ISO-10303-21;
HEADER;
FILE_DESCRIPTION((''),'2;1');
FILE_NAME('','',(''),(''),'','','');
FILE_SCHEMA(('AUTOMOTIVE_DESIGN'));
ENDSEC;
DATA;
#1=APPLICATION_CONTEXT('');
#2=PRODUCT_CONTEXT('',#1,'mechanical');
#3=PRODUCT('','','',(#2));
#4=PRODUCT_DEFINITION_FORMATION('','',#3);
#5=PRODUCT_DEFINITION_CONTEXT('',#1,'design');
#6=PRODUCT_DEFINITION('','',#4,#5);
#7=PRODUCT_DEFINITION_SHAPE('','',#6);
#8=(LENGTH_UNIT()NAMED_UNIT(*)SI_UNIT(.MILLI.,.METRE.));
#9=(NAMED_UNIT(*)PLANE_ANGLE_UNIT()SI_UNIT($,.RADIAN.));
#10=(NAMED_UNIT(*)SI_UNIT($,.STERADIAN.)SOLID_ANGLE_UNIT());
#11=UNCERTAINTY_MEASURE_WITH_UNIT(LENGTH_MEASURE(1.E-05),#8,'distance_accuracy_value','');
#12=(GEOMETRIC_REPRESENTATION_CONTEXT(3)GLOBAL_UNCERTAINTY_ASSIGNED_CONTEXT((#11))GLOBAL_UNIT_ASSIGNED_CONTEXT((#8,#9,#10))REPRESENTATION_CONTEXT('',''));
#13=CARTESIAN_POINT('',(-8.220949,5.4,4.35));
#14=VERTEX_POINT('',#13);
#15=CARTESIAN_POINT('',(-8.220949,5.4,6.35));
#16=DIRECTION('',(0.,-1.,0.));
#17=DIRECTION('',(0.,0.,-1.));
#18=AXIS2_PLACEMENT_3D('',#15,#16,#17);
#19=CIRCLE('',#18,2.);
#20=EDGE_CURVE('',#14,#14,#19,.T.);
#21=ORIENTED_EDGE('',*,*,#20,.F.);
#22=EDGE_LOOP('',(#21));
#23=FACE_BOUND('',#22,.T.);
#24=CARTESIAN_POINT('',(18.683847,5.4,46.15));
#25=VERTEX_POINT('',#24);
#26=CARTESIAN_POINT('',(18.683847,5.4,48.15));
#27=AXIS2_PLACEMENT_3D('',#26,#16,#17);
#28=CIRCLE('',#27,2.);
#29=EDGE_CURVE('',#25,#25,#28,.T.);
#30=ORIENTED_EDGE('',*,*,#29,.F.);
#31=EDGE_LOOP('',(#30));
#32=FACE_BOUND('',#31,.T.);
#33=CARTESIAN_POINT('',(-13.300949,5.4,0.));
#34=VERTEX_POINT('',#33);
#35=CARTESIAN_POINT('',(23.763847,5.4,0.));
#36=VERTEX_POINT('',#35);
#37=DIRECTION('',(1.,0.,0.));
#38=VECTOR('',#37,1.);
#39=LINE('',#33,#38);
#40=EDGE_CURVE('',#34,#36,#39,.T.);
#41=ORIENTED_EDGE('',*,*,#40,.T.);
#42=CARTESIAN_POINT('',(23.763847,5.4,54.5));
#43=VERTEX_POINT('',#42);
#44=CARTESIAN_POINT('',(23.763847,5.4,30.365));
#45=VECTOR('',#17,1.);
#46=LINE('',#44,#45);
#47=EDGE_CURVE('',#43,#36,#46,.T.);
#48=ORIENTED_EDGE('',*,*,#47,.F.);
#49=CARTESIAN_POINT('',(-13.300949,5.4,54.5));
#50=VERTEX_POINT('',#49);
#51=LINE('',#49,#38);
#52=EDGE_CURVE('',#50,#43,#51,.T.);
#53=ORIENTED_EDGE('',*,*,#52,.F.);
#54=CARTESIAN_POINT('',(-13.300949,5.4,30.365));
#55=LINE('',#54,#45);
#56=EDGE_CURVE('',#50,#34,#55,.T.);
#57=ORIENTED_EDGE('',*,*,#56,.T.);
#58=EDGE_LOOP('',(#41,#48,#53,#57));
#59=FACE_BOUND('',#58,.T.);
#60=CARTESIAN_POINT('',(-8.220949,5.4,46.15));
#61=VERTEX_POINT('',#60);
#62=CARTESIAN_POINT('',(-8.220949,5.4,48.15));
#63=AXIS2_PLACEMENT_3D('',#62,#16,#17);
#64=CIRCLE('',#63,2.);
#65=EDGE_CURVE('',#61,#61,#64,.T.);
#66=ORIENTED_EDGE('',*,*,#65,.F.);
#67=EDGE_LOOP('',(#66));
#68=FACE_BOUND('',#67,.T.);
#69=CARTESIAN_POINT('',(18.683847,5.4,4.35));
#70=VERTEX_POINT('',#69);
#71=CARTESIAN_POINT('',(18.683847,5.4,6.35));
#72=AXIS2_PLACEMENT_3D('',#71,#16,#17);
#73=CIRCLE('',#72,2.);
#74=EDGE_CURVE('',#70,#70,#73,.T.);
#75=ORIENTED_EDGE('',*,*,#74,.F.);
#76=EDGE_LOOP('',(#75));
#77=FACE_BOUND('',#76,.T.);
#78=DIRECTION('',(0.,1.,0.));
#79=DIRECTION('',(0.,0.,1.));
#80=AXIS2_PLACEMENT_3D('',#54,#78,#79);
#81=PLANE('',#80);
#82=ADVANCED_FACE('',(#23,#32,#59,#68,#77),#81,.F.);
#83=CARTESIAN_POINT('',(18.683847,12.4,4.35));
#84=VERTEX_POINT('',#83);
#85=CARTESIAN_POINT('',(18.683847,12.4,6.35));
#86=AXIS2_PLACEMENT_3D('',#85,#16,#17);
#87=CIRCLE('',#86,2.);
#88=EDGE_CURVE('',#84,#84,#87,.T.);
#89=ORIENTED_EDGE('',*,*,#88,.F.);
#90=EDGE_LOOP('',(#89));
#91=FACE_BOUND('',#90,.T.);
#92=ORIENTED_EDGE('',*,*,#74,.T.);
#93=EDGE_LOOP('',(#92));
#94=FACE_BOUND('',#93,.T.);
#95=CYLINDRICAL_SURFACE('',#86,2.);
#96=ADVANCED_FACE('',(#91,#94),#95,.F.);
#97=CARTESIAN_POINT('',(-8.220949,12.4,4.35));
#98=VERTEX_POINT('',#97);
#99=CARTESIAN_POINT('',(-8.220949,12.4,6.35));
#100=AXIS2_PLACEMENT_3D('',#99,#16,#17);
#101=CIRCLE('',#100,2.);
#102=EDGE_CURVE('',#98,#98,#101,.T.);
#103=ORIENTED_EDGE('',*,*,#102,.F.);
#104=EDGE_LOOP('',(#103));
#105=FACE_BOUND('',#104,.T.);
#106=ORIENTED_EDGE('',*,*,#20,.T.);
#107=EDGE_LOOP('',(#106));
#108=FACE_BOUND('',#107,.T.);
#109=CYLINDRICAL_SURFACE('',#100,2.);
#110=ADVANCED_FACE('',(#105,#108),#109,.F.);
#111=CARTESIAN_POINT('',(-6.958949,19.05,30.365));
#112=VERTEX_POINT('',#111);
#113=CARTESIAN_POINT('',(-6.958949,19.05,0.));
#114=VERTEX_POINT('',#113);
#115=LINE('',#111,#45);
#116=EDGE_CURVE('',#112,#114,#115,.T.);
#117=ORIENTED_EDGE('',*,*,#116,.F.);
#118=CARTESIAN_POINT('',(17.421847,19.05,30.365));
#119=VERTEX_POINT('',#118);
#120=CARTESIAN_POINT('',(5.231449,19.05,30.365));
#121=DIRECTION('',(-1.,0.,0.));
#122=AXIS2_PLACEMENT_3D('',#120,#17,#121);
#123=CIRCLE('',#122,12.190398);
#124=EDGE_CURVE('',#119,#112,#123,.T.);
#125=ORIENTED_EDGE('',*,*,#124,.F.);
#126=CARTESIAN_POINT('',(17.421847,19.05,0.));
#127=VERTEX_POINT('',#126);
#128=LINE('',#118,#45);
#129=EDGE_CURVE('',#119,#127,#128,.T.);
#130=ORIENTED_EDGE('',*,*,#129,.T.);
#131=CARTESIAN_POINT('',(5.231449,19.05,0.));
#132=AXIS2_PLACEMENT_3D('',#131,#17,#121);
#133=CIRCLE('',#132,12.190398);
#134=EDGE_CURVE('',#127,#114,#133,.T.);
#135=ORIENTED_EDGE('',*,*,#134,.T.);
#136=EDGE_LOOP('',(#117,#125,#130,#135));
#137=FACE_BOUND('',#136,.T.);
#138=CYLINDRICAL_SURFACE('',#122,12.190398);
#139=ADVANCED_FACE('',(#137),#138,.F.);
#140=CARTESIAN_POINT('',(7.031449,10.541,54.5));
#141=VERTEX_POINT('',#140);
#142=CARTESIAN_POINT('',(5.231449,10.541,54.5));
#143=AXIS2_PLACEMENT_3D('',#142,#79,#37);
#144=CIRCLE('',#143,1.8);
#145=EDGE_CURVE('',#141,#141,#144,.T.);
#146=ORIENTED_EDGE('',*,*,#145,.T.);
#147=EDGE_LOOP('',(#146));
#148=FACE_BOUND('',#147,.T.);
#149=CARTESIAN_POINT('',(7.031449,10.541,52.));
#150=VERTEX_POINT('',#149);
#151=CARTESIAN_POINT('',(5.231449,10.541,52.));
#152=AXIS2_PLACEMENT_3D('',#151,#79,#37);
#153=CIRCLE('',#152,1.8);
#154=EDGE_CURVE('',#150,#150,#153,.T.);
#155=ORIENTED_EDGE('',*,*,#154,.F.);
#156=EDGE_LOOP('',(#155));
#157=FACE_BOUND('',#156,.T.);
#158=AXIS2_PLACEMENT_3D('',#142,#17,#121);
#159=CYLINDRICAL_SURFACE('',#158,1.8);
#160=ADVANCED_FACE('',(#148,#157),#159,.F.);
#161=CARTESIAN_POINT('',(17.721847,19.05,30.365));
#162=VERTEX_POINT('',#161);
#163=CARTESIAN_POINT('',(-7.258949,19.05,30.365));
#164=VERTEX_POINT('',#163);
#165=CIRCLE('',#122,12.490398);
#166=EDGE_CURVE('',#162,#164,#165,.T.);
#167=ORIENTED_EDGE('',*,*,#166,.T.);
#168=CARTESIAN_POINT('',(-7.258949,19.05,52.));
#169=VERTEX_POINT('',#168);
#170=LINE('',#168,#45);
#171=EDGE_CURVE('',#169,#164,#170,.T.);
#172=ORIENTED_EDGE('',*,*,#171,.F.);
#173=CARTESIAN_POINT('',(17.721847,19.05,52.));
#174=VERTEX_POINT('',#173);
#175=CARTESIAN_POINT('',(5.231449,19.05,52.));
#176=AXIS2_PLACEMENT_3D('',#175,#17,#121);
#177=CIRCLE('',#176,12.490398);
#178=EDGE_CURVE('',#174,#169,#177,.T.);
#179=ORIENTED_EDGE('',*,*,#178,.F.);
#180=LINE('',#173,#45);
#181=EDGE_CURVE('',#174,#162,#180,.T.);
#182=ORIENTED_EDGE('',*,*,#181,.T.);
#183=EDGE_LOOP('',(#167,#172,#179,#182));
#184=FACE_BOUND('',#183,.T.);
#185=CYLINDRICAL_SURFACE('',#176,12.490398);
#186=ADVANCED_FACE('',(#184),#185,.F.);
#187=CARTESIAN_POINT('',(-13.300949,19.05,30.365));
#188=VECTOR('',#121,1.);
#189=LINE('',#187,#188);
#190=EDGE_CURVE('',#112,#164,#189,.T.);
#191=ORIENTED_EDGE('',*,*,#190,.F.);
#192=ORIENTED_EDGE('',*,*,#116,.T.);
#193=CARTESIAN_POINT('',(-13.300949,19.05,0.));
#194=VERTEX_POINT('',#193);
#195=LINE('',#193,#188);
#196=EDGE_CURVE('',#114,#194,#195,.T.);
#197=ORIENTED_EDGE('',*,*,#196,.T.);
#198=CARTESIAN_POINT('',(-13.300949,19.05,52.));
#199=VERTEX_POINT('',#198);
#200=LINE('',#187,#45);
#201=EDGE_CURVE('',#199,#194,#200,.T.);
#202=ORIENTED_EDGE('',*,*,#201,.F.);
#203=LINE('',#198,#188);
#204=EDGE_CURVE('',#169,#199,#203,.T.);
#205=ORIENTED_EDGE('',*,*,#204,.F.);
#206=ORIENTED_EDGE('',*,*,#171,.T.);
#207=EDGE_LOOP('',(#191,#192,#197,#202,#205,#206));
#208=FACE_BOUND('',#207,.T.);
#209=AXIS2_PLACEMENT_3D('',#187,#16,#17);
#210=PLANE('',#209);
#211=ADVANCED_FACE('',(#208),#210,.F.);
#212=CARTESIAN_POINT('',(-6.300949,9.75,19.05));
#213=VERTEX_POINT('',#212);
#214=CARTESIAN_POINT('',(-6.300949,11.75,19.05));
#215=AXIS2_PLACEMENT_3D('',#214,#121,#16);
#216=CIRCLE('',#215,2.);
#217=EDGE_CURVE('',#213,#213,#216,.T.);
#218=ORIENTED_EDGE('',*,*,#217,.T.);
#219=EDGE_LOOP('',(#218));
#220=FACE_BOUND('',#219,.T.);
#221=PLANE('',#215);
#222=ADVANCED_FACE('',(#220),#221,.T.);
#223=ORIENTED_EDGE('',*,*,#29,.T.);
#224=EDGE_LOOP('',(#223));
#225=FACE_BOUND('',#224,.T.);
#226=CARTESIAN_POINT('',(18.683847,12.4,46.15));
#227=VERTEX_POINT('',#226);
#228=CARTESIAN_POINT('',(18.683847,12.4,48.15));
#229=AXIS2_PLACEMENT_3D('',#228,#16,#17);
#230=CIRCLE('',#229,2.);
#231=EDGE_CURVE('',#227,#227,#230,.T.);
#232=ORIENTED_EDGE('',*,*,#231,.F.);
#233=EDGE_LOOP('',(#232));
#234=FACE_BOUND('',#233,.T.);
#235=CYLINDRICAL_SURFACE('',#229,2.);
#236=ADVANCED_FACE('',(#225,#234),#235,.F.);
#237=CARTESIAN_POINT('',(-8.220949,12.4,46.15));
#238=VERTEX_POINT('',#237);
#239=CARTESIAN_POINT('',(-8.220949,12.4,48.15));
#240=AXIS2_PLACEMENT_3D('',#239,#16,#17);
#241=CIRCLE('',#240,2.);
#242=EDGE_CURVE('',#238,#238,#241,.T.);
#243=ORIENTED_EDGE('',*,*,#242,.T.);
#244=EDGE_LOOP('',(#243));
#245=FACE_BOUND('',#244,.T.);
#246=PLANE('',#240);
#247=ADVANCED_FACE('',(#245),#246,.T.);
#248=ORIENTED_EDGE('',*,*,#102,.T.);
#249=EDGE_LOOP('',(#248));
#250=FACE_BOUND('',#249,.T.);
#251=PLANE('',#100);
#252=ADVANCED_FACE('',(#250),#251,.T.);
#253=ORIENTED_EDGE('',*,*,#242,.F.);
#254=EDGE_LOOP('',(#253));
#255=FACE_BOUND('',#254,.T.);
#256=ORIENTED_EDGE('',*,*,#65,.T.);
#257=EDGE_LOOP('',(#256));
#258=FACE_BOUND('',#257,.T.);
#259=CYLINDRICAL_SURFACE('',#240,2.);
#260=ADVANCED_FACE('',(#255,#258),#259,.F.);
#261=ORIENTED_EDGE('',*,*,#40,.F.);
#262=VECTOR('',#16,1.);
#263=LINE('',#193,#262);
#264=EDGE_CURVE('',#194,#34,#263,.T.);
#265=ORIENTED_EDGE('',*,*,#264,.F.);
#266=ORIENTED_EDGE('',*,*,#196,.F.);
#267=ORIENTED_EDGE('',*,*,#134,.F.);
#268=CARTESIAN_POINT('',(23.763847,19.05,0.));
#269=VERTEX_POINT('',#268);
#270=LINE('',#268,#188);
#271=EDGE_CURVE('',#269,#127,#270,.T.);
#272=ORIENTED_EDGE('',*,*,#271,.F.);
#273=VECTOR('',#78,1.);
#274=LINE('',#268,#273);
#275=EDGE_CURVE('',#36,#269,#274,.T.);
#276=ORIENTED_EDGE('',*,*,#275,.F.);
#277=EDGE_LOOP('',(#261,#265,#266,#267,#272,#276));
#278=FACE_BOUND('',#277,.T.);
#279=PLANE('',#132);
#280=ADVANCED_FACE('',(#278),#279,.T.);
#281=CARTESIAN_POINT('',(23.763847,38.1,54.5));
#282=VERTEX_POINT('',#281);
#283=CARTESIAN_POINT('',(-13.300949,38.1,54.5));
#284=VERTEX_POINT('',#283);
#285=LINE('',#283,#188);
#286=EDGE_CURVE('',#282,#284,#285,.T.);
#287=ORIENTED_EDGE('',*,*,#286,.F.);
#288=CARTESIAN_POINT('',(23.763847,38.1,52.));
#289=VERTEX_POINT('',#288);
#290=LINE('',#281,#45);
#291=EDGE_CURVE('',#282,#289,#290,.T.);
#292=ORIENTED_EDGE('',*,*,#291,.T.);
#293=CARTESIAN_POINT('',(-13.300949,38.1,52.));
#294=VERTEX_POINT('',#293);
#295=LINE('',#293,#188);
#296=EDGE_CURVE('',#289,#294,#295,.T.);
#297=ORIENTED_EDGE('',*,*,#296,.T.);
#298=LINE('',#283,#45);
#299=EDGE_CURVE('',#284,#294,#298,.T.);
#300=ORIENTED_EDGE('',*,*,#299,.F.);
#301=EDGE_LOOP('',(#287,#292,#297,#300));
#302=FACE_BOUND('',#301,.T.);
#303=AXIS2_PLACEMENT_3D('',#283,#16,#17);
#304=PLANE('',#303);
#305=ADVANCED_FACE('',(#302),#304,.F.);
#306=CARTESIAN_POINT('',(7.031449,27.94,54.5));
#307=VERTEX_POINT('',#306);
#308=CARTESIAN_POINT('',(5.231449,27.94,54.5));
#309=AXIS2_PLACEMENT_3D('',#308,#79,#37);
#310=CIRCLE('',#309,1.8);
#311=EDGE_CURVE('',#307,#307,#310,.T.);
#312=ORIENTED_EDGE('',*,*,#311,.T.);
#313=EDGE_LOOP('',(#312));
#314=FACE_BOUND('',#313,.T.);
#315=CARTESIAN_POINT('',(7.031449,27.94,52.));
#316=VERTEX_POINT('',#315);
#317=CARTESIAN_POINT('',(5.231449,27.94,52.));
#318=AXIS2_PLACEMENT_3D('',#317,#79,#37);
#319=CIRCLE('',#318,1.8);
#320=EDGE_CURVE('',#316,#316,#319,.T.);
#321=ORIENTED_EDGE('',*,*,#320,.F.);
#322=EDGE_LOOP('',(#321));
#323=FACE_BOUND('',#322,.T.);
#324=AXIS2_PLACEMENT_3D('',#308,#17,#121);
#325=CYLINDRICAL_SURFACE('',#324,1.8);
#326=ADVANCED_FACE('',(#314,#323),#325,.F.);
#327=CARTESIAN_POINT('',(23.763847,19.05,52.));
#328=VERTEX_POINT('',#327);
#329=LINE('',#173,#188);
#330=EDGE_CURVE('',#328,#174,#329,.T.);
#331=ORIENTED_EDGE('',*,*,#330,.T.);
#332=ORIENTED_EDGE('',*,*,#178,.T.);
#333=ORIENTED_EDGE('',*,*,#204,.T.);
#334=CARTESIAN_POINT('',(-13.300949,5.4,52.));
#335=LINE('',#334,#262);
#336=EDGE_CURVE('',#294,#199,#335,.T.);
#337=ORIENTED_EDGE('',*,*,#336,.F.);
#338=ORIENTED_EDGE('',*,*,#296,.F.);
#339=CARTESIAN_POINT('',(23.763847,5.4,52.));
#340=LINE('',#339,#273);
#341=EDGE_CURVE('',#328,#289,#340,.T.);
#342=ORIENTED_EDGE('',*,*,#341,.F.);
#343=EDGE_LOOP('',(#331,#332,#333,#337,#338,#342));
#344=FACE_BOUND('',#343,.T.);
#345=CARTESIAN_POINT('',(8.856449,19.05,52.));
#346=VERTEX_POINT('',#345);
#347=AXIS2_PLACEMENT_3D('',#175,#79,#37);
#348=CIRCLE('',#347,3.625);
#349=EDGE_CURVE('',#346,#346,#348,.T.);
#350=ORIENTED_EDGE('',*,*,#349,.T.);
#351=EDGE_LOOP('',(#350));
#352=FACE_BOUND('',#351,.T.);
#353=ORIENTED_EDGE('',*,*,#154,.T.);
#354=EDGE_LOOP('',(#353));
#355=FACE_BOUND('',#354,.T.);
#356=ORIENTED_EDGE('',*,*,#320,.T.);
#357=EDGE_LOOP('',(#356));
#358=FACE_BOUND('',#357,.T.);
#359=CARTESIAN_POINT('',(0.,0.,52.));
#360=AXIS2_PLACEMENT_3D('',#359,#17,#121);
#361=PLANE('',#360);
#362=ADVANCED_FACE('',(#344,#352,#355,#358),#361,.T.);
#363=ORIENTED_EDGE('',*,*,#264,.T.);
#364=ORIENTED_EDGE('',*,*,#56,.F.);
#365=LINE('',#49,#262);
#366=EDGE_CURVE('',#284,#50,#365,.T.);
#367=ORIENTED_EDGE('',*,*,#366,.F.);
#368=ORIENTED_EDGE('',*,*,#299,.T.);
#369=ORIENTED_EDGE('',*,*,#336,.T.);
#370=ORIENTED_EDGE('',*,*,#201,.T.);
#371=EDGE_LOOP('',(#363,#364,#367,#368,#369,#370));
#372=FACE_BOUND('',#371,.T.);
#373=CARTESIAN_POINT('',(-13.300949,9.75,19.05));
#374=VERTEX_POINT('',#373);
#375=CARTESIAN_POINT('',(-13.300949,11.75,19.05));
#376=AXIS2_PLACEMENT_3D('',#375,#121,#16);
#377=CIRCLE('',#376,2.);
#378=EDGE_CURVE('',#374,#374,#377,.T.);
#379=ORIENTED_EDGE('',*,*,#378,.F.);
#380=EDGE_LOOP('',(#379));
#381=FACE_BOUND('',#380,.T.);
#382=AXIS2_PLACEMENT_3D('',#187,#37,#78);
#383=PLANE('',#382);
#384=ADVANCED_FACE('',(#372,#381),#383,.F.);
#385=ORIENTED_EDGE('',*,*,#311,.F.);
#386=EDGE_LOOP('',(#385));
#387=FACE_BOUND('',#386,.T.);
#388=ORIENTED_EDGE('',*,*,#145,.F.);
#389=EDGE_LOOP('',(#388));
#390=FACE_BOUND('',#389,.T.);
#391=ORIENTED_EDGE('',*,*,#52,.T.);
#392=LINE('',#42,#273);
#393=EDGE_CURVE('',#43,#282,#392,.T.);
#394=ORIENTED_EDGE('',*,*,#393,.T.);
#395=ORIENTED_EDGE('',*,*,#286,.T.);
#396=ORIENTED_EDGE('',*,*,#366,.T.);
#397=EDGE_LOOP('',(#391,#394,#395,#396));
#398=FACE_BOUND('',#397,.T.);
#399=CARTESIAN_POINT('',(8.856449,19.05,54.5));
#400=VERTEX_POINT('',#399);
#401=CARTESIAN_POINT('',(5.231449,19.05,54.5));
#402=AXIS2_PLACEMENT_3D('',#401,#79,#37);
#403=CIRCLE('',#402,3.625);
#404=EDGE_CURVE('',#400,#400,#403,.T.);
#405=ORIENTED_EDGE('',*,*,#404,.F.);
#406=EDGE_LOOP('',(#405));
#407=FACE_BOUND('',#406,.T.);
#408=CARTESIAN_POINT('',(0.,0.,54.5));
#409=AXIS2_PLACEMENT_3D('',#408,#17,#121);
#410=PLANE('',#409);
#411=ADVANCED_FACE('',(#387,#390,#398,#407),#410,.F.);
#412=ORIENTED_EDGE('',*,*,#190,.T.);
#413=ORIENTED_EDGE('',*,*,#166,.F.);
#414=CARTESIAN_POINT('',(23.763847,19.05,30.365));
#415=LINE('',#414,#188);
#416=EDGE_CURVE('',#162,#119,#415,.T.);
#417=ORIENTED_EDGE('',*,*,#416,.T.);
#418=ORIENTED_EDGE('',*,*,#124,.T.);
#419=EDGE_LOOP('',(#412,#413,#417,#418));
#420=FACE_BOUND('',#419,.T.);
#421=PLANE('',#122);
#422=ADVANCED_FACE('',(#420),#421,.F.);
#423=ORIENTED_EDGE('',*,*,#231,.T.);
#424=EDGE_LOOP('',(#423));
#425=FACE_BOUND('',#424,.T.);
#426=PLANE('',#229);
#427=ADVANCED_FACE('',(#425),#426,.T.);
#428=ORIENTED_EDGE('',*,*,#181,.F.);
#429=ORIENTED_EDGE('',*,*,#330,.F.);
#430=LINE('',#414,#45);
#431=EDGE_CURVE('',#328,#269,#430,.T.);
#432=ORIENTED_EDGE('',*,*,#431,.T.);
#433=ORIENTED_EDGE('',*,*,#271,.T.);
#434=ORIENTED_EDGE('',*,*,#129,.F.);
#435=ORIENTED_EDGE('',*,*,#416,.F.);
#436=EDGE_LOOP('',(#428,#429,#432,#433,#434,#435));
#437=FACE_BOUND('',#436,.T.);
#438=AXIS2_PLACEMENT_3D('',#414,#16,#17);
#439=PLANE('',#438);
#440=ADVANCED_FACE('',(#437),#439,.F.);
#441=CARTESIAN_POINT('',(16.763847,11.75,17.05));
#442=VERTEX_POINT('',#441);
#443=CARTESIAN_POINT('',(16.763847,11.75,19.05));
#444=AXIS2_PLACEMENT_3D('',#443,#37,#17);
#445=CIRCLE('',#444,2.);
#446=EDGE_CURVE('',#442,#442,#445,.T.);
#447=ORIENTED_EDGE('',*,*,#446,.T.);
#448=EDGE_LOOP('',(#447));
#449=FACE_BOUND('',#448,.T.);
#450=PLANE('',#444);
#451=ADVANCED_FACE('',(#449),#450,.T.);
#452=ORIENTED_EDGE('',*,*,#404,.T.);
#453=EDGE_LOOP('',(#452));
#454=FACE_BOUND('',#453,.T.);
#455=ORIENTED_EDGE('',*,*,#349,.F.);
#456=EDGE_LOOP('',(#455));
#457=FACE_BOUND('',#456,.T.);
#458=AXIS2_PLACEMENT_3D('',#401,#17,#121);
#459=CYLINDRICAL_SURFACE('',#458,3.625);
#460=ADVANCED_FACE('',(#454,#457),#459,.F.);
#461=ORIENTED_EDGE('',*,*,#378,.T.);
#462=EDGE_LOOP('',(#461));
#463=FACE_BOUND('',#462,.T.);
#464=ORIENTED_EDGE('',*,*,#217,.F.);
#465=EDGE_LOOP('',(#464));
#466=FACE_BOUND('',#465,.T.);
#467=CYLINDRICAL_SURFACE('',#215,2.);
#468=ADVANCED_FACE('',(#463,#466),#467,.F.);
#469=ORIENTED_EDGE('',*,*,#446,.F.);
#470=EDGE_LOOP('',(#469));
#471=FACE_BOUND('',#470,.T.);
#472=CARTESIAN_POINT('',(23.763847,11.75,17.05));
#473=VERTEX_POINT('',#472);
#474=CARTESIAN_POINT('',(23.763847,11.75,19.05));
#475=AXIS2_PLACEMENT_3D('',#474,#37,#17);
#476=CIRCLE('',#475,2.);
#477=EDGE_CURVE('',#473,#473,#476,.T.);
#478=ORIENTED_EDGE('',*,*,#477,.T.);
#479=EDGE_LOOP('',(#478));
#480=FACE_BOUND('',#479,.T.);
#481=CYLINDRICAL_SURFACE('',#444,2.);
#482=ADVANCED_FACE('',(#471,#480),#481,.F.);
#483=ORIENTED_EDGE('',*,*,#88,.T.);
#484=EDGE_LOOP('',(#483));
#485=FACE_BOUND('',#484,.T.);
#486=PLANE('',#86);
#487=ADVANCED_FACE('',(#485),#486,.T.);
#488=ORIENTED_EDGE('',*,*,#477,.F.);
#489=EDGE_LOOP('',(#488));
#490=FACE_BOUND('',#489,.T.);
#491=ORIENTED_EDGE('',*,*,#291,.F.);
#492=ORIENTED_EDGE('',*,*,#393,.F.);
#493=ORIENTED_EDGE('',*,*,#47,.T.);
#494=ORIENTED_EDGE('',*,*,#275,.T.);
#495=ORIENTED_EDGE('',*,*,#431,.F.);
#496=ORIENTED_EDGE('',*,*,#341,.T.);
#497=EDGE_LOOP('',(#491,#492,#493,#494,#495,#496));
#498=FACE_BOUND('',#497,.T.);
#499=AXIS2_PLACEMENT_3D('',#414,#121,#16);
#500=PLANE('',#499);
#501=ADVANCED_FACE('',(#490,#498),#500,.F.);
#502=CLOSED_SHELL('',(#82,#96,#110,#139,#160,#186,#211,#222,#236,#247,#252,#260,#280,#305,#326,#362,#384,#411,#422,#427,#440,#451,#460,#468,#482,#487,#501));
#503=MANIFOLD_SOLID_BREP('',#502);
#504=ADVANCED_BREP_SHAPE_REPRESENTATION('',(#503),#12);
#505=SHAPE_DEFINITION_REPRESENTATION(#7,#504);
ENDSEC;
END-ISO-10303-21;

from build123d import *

# Parameters (mm, degrees)
BOSS_EXTRUDE1_DEPTH = 30.364999976
BOSS_EXTRUDE2_DEPTH = 21.63499991
SKETCH4_W           = 37.064796383
SKETCH4_H           = 32.7
SKETCH4_R           = 3.625
SKETCH4_R_2         = 1.8
BOSS_EXTRUDE3_DEPTH = 2.5
SKETCH5_R           = 2
CUT_EXTRUDE1_DEPTH  = 7
SKETCH6_R           = 2.000000064
CUT_EXTRUDE2_DEPTH  = 7
CUT_EXTRUDE3_START  = -7
SKETCH7_R           = 2
CUT_EXTRUDE3_DEPTH  = 7


with BuildPart() as part:
    # Sketch1 → Boss-Extrude1 (new body)
    with BuildSketch(Plane.XY):
        with BuildLine():
            Line((23.763847258, 19.05), (23.763847258, 5.4))
            Line((23.763847258, 5.4), (-13.300949125, 5.4))
            Line((-13.300949125, 5.4), (-13.300949125, 19.05))
            Line((-13.300949125, 19.05), (-6.958949124, 19.05))
            ThreePointArc((-6.958949124, 19.05), (5.231449067, 6.859601809), (17.421847257, 19.05))
            Line((17.421847257, 19.05), (23.763847258, 19.05))
        make_face()
    extrude(amount=BOSS_EXTRUDE1_DEPTH)

    # Sketch3 → Boss-Extrude2 (add)
    with BuildSketch(Plane.XY.offset(30.364999976)):
        with BuildLine():
            Line((-13.300949125, 19.05), (-13.300949125, 5.4))
            Line((-13.300949125, 5.4), (23.763847258, 5.4))
            Line((23.763847258, 5.4), (23.763847258, 19.05))
            Line((23.763847258, 19.05), (17.72184715, 19.05))
            ThreePointArc((17.72184715, 19.05), (5.231449012, 6.559601862), (-7.258949126, 19.05))
            Line((-7.258949126, 19.05), (-13.300949125, 19.05))
        make_face()
    extrude(amount=BOSS_EXTRUDE2_DEPTH)

    # Sketch4 → Boss-Extrude3 (add)
    with BuildSketch(Plane.XY.offset(51.999999886)):
        with Locations((5.231449067, 21.75)):
            Rectangle(SKETCH4_W, SKETCH4_H)
        with Locations((5.231449093, 19.05)):
            Circle(SKETCH4_R, mode=Mode.SUBTRACT)
        with Locations((5.231449093, 10.541)):
            Circle(SKETCH4_R_2, mode=Mode.SUBTRACT)
        with Locations((5.231449093, 27.94)):
            Circle(SKETCH4_R_2, mode=Mode.SUBTRACT)
    extrude(amount=BOSS_EXTRUDE3_DEPTH)

    # Sketch5 → Cut-Extrude1 (cut)
    with BuildSketch(Plane.XZ.offset(-5.4)):
        with Locations(Location((-8.220949125, 48.149999886, 0), (0, 0, 270))):
            Circle(SKETCH5_R)
        with Locations(Location((18.683847258, 48.149999886, 0), (0, 0, 270))):
            Circle(SKETCH5_R)
        with Locations(Location((-8.220949125, 6.35, 0), (0, 0, 270))):
            Circle(SKETCH5_R)
        with Locations(Location((18.683847258, 6.35, 0), (0, 0, 270))):
            Circle(SKETCH5_R)
    extrude(amount=-CUT_EXTRUDE1_DEPTH, mode=Mode.SUBTRACT)

    # Sketch6 → Cut-Extrude2 (cut)
    with BuildSketch(Plane.ZY.offset(13.300949125)):
        with Locations(Location((19.05, 11.75, 0), (0, 0, 270))):
            Circle(SKETCH6_R)
    extrude(amount=-CUT_EXTRUDE2_DEPTH, mode=Mode.SUBTRACT)

    # Sketch7 → Cut-Extrude3 (cut)
    with BuildSketch(Plane(origin=(23.763847258, 0, 0), x_dir=(0, 0, -1), z_dir=(1, 0, 0)).offset(CUT_EXTRUDE3_START)):
        with Locations(Location((-19.05, 11.75, 0), (0, 0, 270))):
            Circle(SKETCH7_R)
    extrude(amount=CUT_EXTRUDE3_DEPTH, mode=Mode.SUBTRACT)


solid = part.part
